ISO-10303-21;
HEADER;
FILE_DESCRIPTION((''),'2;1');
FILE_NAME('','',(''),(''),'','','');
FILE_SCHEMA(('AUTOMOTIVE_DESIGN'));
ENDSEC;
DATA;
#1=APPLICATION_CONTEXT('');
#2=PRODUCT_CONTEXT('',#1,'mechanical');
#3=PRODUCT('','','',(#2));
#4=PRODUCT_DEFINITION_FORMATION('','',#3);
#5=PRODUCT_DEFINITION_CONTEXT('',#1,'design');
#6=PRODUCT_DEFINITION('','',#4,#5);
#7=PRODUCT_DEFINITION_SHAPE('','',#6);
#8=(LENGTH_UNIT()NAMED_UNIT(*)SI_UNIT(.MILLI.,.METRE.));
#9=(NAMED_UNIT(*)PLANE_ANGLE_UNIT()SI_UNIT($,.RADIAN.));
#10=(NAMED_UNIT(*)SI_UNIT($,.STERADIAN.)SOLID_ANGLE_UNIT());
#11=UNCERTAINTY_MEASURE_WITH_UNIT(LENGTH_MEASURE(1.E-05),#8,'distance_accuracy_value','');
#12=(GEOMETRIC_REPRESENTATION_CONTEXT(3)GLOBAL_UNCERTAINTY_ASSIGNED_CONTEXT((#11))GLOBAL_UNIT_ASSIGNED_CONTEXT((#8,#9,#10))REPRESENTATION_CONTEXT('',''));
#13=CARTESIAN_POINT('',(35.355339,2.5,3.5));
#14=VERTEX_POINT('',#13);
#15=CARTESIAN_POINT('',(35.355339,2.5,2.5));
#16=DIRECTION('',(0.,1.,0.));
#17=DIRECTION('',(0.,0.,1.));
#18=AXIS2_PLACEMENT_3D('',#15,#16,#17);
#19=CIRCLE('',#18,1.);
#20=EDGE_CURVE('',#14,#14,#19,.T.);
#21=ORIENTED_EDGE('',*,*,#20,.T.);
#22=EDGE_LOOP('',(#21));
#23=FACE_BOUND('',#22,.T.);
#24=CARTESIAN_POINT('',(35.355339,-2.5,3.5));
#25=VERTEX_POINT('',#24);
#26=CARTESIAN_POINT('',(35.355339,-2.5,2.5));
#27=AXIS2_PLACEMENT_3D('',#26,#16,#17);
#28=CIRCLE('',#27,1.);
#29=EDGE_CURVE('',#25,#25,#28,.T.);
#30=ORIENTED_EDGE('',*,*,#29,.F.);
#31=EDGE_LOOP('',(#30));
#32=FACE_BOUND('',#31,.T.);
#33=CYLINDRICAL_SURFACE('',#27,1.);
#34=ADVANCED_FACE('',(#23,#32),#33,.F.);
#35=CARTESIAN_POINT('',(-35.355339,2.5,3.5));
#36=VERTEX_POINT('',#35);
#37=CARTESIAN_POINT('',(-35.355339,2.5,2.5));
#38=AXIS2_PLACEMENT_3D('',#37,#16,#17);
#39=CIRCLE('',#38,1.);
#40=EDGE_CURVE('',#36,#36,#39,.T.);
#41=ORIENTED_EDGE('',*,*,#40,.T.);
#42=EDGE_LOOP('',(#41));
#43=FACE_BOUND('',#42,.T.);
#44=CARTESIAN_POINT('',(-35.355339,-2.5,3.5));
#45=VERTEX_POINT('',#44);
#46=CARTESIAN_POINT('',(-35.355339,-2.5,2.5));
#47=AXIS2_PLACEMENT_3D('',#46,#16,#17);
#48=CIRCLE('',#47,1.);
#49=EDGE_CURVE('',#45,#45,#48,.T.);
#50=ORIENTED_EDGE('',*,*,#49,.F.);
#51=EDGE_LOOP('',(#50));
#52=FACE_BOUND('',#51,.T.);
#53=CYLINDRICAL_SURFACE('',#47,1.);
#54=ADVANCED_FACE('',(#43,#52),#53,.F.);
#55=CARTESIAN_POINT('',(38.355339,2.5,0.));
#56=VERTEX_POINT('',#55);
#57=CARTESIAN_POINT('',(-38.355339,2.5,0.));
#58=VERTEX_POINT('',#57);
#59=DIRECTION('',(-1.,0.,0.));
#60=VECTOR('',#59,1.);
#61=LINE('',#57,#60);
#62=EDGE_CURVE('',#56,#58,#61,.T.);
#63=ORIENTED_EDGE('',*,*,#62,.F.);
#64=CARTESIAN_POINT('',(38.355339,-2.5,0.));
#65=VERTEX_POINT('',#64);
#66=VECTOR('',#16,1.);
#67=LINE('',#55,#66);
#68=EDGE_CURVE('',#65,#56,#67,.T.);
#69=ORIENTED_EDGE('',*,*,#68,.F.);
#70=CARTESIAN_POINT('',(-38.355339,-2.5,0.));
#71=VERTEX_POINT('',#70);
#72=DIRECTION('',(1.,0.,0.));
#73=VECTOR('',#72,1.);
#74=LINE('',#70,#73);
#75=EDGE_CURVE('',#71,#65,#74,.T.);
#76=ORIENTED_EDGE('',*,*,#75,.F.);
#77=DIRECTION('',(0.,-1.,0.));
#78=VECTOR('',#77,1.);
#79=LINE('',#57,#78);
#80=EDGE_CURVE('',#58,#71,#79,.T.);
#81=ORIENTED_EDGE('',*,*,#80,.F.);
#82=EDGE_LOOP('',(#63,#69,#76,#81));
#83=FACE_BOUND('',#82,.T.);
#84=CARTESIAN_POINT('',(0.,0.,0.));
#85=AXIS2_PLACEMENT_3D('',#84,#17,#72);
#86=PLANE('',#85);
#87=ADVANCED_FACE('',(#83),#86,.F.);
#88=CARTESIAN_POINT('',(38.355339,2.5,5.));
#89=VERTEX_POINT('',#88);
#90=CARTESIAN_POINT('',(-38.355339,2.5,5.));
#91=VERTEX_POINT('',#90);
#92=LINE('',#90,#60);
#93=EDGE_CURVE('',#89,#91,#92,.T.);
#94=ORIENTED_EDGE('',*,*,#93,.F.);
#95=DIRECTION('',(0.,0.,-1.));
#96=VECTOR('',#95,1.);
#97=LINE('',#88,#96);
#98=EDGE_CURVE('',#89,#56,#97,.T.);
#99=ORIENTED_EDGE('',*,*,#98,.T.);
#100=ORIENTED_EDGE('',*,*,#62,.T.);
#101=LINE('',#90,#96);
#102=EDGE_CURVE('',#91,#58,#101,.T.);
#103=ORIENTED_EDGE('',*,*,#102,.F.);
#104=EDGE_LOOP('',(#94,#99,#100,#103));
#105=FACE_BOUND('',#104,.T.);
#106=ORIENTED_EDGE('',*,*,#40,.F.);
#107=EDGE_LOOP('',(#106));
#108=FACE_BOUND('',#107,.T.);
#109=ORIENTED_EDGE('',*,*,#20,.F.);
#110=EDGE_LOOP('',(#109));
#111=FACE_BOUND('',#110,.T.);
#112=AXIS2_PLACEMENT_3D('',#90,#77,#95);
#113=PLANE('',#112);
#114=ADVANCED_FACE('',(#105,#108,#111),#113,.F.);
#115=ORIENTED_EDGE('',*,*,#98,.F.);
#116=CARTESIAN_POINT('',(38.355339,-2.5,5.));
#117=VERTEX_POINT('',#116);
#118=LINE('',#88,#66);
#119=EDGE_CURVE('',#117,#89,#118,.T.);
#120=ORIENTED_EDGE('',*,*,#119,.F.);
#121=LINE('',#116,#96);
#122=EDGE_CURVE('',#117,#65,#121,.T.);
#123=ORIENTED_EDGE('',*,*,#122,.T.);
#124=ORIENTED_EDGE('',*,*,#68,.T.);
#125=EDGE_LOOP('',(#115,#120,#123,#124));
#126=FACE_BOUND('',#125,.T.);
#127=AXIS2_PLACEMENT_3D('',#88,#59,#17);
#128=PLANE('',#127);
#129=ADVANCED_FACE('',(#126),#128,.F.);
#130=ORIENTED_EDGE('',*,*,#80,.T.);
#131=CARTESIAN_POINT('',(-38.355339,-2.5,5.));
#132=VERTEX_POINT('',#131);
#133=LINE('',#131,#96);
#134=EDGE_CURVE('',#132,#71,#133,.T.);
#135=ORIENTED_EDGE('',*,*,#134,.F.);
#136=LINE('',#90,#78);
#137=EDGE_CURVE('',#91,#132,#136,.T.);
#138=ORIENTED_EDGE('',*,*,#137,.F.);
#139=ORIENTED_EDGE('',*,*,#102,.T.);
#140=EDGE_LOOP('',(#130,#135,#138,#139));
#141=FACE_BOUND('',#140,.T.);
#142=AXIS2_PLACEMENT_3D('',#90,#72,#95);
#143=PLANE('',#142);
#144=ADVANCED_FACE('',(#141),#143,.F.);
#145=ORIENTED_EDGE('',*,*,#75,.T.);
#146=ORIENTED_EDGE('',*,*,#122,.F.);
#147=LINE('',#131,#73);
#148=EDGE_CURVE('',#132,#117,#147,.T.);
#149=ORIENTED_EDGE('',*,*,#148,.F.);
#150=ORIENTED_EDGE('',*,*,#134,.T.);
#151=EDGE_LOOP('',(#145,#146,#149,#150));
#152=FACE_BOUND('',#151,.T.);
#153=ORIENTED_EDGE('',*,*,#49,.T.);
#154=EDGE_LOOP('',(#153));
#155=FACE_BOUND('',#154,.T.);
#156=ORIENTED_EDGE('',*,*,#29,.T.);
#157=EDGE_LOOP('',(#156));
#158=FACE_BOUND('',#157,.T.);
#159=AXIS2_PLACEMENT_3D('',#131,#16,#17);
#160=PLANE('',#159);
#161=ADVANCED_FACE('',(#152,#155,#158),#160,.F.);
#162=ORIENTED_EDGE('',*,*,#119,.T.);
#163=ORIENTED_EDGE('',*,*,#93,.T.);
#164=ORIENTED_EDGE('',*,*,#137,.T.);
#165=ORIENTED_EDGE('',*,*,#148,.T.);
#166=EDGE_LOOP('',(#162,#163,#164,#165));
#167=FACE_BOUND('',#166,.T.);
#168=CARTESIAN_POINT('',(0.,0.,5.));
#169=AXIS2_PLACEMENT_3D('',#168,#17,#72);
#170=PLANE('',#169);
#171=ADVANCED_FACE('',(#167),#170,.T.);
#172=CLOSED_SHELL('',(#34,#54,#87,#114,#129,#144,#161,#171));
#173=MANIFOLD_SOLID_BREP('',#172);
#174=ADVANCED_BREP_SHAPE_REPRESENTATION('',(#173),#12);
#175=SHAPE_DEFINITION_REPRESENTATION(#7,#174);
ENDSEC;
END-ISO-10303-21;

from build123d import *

# Parameters (mm, degrees)
SKETCH2_W           = 76.71067812
SKETCH2_H           = 5
BOSS_EXTRUDE1_DEPTH = 5
SKETCH3_R           = 1
CUT_EXTRUDE1_DEPTH  = 40.001692712


with BuildPart() as part:
    # Sketch2 → Boss-Extrude1 (new body)
    with BuildSketch(Plane.XY):
        Rectangle(SKETCH2_W, SKETCH2_H)
    extrude(amount=BOSS_EXTRUDE1_DEPTH)

    # Sketch3 → Cut-Extrude1 (cut, through all)
    with BuildSketch(Plane(origin=(0, 2.5, 0), x_dir=(1, 0, 0), z_dir=(0, 1, 0))):
        with Locations(Location((-35.35533906, -2.5, 0), (0, 0, 270))):
            Circle(SKETCH3_R)
        with Locations(Location((35.35533906, -2.5, 0), (0, 0, 270))):
            Circle(SKETCH3_R)
    extrude(amount=-CUT_EXTRUDE1_DEPTH, mode=Mode.SUBTRACT)


solid = part.part
